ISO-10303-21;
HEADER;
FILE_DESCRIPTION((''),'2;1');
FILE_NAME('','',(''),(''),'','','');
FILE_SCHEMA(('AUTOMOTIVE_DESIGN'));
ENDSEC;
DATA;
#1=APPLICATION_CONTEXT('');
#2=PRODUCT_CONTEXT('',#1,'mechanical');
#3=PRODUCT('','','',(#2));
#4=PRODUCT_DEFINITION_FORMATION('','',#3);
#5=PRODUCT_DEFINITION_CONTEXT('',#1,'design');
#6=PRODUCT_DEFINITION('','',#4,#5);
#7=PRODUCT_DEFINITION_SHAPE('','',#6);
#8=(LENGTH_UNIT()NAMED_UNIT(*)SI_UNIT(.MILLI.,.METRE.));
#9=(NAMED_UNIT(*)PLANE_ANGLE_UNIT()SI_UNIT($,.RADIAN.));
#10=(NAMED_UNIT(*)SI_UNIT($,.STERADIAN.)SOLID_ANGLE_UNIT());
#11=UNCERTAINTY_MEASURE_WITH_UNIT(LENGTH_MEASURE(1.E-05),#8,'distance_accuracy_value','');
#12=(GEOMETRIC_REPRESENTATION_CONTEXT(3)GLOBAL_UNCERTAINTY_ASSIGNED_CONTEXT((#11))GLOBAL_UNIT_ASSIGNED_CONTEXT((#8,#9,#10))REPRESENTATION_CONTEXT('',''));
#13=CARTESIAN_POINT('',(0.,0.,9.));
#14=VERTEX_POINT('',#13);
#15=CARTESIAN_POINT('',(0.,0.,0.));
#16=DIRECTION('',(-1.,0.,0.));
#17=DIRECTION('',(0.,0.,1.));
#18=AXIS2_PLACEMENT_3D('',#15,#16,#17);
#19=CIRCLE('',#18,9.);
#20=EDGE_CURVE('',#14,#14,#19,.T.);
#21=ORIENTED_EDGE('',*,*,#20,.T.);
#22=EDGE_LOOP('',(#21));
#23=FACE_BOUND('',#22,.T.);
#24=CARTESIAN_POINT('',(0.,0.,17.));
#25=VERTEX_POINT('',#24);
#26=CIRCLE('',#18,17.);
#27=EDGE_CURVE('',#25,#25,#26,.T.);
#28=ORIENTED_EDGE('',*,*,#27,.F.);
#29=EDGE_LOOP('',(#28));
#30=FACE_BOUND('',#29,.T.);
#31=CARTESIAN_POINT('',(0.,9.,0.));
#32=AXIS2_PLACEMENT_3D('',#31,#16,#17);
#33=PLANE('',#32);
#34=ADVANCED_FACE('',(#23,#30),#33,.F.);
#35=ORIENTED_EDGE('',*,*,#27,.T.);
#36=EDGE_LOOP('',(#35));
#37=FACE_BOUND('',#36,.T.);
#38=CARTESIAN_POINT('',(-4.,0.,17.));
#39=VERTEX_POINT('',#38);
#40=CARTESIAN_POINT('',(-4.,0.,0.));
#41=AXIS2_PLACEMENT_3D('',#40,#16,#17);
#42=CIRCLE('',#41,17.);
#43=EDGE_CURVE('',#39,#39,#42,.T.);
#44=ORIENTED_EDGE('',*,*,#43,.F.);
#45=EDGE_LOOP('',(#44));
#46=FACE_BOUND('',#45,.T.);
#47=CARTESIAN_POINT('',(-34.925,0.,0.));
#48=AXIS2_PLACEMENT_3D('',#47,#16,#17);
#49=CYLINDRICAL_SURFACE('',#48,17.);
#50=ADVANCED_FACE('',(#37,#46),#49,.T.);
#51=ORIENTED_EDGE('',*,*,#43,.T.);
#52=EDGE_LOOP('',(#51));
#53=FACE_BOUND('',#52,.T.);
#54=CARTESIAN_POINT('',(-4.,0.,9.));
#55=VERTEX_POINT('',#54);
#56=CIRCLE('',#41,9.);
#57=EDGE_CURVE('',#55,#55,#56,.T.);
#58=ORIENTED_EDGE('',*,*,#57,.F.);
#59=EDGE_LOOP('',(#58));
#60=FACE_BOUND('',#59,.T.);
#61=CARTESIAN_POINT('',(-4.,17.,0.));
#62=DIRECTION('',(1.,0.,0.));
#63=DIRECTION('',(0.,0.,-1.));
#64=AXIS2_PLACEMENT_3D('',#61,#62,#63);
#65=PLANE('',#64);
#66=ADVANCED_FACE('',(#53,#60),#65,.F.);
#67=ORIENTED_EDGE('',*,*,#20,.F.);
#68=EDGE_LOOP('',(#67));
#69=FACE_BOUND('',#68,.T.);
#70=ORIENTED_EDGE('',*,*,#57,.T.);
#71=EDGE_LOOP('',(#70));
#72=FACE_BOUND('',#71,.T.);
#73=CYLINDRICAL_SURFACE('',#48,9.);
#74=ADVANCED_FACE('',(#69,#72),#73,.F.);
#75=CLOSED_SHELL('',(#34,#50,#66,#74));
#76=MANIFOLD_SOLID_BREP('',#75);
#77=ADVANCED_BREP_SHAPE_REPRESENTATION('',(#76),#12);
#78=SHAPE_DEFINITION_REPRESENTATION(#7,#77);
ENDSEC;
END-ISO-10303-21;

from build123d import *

# Parameters (mm, degrees)
SKETCH1_W = 4
SKETCH1_H = 8


with BuildPart() as part:
    # Sketch1 → Base-Revolve (revolve)
    with BuildSketch(Plane.XY, mode=Mode.PRIVATE) as base_revolve_sk:
        with Locations((-2, 13)):
            Rectangle(SKETCH1_W, SKETCH1_H)
    revolve(base_revolve_sk.sketch.rotate(Axis((-34.925, 0, 0), (1, 0, 0)), 90), axis=Axis((-34.925, 0, 0), (1, 0, 0)))


solid = part.part
